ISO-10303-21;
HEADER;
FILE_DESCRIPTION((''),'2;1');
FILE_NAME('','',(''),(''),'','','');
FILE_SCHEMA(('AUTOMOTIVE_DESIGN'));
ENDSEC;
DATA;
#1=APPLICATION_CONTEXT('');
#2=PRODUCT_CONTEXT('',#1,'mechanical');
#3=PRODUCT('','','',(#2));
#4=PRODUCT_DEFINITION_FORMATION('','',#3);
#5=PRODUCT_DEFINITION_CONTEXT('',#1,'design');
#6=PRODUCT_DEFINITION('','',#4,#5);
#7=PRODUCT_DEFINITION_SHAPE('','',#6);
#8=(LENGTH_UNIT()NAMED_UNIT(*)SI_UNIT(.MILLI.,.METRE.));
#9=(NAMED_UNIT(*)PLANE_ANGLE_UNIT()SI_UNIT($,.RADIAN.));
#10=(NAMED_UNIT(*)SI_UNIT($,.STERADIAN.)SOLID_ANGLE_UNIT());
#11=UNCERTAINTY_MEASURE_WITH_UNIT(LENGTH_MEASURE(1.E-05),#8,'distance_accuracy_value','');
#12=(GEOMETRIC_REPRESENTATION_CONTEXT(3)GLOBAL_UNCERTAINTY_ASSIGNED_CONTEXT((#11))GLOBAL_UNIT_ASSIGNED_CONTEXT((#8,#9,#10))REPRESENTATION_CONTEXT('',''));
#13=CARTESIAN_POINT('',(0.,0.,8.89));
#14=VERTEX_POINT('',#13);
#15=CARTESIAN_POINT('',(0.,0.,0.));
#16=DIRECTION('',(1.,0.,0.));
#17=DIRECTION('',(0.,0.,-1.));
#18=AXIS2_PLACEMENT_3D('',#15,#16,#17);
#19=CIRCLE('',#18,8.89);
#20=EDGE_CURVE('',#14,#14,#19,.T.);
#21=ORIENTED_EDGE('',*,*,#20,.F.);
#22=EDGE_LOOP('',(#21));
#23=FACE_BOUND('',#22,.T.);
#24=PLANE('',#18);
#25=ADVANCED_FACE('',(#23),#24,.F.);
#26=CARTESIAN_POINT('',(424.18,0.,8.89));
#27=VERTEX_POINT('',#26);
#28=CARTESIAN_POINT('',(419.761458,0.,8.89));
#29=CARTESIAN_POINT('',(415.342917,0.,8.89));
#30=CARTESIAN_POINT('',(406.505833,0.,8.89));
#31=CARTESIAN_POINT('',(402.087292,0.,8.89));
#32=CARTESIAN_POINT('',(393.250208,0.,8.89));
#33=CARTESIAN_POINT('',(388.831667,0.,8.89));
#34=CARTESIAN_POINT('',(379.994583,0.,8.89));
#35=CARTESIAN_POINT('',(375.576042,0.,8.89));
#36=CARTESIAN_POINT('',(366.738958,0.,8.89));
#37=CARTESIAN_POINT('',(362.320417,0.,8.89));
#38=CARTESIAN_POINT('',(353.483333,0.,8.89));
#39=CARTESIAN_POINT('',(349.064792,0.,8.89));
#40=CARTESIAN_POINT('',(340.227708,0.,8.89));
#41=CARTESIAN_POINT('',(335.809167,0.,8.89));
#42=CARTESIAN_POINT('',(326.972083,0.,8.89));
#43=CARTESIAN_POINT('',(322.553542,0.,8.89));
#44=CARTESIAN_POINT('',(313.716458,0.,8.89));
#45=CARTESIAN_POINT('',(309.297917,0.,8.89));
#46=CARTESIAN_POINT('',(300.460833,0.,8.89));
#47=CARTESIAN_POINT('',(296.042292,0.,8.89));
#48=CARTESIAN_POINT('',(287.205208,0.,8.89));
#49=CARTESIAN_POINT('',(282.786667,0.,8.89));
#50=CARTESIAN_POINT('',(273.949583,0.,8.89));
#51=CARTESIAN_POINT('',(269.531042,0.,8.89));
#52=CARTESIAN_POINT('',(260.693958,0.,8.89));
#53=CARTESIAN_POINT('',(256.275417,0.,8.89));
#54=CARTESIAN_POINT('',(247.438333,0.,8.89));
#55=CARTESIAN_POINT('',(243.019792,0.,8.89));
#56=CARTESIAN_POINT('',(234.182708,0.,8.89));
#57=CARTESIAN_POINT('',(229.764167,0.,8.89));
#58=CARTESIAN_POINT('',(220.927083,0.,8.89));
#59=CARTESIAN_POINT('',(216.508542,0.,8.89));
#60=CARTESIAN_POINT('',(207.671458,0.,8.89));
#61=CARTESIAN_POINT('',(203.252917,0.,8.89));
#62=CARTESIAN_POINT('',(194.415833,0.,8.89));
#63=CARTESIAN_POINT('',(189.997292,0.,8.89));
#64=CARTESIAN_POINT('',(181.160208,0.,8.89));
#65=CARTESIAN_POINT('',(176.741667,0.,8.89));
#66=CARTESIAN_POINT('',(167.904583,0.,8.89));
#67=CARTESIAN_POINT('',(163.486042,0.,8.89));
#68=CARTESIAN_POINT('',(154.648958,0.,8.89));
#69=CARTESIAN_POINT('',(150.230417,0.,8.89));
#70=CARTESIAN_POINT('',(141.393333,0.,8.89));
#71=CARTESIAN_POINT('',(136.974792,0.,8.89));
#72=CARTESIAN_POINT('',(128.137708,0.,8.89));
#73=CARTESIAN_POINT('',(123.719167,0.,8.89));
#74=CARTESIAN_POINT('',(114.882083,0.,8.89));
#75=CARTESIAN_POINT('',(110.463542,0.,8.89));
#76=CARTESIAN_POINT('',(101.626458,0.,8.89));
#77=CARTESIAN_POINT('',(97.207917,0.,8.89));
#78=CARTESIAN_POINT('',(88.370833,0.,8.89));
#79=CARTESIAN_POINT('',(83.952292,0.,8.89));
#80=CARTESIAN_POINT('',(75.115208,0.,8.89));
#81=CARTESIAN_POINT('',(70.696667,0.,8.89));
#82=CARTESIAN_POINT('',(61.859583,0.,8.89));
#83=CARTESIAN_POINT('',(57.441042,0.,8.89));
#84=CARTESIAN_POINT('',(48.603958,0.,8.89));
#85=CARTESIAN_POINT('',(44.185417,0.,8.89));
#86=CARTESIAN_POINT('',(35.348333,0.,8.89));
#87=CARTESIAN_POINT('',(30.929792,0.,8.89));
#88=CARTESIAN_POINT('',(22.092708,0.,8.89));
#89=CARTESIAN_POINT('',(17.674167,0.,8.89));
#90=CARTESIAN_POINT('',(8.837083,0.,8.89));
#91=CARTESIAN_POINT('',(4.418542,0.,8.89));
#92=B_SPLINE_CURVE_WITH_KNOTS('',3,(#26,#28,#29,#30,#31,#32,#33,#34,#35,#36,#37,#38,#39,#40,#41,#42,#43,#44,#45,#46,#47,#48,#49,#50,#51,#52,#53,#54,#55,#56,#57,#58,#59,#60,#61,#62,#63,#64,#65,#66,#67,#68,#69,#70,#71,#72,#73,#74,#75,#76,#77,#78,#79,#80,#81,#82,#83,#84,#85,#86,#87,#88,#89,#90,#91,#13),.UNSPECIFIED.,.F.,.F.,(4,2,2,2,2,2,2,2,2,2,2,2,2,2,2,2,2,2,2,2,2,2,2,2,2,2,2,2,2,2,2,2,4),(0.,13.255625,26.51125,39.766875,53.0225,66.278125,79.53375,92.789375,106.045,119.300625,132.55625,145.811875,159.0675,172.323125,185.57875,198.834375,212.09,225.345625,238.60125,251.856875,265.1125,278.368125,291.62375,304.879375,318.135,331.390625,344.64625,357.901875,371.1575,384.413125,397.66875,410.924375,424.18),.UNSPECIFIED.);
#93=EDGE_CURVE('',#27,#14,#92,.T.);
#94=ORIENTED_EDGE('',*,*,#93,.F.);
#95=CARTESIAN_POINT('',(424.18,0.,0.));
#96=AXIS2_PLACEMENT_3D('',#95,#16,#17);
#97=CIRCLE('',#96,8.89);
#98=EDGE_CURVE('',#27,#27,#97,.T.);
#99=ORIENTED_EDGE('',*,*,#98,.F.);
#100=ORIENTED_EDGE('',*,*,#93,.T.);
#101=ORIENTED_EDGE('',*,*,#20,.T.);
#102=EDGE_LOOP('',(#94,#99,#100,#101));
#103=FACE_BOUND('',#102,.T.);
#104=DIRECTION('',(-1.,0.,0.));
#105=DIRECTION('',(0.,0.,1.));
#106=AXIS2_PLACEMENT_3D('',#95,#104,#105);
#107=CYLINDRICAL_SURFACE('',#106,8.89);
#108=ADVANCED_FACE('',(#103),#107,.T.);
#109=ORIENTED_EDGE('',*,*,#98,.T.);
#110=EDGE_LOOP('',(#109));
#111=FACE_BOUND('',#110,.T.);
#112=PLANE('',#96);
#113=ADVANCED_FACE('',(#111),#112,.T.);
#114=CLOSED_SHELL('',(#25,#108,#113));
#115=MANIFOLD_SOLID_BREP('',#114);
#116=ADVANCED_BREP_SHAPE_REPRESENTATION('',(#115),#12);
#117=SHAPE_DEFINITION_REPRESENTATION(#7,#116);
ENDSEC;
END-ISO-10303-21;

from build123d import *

# Parameters (mm, degrees)
SKETCH1_R           = 8.89
BOSS_EXTRUDE1_DEPTH = 424.18


with BuildPart() as part:
    # Sketch1 → Boss-Extrude1 (new body)
    with BuildSketch(Plane.YZ):
        with Locations(Location((0, 0, 0), (0, 0, 90))):
            Circle(SKETCH1_R)
    extrude(amount=BOSS_EXTRUDE1_DEPTH)


solid = part.part
